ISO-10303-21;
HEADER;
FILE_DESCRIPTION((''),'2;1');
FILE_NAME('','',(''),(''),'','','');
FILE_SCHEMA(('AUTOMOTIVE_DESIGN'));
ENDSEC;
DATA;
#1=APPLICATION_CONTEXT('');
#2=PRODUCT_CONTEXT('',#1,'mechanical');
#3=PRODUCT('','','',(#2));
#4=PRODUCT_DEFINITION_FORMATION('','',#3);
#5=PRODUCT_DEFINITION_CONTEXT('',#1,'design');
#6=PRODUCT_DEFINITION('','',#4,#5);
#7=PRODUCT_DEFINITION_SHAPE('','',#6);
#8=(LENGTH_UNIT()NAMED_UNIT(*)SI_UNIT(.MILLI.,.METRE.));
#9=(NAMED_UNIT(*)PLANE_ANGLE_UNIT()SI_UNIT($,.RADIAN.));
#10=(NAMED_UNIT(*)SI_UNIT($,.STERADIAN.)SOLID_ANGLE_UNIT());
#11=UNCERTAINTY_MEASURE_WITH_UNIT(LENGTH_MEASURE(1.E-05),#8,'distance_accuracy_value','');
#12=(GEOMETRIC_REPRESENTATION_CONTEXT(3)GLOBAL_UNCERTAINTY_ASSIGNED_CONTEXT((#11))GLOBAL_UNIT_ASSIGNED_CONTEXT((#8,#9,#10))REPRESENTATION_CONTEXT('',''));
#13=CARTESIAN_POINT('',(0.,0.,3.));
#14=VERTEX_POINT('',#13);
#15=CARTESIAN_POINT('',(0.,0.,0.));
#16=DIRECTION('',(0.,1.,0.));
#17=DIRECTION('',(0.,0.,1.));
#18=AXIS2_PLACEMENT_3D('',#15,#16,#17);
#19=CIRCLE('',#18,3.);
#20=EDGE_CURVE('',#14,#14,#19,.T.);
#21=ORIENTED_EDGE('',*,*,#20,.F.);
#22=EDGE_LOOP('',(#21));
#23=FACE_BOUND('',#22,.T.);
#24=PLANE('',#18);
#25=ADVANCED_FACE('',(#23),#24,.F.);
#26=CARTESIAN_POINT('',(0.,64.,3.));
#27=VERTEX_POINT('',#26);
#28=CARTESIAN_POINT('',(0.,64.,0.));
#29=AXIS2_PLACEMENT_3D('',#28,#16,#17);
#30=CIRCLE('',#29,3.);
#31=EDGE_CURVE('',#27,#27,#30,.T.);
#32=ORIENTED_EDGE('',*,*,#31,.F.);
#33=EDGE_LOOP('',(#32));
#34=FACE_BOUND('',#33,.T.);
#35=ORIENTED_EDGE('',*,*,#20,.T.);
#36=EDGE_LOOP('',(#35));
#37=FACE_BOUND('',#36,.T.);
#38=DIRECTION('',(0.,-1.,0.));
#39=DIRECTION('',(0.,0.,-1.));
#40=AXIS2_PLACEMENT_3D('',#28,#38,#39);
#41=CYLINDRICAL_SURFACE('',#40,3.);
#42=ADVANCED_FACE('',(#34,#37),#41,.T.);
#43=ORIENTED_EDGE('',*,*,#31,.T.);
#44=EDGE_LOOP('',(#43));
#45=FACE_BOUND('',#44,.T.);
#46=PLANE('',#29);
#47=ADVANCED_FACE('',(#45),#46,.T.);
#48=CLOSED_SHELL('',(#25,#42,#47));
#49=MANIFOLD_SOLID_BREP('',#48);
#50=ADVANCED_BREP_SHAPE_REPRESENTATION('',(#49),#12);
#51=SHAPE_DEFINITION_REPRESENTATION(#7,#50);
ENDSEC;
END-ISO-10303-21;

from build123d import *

# Parameters (mm, degrees)
ESQUISSE1_R        = 3
BOSS_EXTRU_1_DEPTH = 64


with BuildPart() as part:
    # Esquisse1 → Boss.-Extru.1 (new body)
    with BuildSketch(Plane(origin=(0, 0, 0), x_dir=(1, 0, 0), z_dir=(0, 1, 0))):
        with Locations(Location((0, 0, 0), (0, 0, 270))):
            Circle(ESQUISSE1_R)
    extrude(amount=BOSS_EXTRU_1_DEPTH)


solid = part.part
